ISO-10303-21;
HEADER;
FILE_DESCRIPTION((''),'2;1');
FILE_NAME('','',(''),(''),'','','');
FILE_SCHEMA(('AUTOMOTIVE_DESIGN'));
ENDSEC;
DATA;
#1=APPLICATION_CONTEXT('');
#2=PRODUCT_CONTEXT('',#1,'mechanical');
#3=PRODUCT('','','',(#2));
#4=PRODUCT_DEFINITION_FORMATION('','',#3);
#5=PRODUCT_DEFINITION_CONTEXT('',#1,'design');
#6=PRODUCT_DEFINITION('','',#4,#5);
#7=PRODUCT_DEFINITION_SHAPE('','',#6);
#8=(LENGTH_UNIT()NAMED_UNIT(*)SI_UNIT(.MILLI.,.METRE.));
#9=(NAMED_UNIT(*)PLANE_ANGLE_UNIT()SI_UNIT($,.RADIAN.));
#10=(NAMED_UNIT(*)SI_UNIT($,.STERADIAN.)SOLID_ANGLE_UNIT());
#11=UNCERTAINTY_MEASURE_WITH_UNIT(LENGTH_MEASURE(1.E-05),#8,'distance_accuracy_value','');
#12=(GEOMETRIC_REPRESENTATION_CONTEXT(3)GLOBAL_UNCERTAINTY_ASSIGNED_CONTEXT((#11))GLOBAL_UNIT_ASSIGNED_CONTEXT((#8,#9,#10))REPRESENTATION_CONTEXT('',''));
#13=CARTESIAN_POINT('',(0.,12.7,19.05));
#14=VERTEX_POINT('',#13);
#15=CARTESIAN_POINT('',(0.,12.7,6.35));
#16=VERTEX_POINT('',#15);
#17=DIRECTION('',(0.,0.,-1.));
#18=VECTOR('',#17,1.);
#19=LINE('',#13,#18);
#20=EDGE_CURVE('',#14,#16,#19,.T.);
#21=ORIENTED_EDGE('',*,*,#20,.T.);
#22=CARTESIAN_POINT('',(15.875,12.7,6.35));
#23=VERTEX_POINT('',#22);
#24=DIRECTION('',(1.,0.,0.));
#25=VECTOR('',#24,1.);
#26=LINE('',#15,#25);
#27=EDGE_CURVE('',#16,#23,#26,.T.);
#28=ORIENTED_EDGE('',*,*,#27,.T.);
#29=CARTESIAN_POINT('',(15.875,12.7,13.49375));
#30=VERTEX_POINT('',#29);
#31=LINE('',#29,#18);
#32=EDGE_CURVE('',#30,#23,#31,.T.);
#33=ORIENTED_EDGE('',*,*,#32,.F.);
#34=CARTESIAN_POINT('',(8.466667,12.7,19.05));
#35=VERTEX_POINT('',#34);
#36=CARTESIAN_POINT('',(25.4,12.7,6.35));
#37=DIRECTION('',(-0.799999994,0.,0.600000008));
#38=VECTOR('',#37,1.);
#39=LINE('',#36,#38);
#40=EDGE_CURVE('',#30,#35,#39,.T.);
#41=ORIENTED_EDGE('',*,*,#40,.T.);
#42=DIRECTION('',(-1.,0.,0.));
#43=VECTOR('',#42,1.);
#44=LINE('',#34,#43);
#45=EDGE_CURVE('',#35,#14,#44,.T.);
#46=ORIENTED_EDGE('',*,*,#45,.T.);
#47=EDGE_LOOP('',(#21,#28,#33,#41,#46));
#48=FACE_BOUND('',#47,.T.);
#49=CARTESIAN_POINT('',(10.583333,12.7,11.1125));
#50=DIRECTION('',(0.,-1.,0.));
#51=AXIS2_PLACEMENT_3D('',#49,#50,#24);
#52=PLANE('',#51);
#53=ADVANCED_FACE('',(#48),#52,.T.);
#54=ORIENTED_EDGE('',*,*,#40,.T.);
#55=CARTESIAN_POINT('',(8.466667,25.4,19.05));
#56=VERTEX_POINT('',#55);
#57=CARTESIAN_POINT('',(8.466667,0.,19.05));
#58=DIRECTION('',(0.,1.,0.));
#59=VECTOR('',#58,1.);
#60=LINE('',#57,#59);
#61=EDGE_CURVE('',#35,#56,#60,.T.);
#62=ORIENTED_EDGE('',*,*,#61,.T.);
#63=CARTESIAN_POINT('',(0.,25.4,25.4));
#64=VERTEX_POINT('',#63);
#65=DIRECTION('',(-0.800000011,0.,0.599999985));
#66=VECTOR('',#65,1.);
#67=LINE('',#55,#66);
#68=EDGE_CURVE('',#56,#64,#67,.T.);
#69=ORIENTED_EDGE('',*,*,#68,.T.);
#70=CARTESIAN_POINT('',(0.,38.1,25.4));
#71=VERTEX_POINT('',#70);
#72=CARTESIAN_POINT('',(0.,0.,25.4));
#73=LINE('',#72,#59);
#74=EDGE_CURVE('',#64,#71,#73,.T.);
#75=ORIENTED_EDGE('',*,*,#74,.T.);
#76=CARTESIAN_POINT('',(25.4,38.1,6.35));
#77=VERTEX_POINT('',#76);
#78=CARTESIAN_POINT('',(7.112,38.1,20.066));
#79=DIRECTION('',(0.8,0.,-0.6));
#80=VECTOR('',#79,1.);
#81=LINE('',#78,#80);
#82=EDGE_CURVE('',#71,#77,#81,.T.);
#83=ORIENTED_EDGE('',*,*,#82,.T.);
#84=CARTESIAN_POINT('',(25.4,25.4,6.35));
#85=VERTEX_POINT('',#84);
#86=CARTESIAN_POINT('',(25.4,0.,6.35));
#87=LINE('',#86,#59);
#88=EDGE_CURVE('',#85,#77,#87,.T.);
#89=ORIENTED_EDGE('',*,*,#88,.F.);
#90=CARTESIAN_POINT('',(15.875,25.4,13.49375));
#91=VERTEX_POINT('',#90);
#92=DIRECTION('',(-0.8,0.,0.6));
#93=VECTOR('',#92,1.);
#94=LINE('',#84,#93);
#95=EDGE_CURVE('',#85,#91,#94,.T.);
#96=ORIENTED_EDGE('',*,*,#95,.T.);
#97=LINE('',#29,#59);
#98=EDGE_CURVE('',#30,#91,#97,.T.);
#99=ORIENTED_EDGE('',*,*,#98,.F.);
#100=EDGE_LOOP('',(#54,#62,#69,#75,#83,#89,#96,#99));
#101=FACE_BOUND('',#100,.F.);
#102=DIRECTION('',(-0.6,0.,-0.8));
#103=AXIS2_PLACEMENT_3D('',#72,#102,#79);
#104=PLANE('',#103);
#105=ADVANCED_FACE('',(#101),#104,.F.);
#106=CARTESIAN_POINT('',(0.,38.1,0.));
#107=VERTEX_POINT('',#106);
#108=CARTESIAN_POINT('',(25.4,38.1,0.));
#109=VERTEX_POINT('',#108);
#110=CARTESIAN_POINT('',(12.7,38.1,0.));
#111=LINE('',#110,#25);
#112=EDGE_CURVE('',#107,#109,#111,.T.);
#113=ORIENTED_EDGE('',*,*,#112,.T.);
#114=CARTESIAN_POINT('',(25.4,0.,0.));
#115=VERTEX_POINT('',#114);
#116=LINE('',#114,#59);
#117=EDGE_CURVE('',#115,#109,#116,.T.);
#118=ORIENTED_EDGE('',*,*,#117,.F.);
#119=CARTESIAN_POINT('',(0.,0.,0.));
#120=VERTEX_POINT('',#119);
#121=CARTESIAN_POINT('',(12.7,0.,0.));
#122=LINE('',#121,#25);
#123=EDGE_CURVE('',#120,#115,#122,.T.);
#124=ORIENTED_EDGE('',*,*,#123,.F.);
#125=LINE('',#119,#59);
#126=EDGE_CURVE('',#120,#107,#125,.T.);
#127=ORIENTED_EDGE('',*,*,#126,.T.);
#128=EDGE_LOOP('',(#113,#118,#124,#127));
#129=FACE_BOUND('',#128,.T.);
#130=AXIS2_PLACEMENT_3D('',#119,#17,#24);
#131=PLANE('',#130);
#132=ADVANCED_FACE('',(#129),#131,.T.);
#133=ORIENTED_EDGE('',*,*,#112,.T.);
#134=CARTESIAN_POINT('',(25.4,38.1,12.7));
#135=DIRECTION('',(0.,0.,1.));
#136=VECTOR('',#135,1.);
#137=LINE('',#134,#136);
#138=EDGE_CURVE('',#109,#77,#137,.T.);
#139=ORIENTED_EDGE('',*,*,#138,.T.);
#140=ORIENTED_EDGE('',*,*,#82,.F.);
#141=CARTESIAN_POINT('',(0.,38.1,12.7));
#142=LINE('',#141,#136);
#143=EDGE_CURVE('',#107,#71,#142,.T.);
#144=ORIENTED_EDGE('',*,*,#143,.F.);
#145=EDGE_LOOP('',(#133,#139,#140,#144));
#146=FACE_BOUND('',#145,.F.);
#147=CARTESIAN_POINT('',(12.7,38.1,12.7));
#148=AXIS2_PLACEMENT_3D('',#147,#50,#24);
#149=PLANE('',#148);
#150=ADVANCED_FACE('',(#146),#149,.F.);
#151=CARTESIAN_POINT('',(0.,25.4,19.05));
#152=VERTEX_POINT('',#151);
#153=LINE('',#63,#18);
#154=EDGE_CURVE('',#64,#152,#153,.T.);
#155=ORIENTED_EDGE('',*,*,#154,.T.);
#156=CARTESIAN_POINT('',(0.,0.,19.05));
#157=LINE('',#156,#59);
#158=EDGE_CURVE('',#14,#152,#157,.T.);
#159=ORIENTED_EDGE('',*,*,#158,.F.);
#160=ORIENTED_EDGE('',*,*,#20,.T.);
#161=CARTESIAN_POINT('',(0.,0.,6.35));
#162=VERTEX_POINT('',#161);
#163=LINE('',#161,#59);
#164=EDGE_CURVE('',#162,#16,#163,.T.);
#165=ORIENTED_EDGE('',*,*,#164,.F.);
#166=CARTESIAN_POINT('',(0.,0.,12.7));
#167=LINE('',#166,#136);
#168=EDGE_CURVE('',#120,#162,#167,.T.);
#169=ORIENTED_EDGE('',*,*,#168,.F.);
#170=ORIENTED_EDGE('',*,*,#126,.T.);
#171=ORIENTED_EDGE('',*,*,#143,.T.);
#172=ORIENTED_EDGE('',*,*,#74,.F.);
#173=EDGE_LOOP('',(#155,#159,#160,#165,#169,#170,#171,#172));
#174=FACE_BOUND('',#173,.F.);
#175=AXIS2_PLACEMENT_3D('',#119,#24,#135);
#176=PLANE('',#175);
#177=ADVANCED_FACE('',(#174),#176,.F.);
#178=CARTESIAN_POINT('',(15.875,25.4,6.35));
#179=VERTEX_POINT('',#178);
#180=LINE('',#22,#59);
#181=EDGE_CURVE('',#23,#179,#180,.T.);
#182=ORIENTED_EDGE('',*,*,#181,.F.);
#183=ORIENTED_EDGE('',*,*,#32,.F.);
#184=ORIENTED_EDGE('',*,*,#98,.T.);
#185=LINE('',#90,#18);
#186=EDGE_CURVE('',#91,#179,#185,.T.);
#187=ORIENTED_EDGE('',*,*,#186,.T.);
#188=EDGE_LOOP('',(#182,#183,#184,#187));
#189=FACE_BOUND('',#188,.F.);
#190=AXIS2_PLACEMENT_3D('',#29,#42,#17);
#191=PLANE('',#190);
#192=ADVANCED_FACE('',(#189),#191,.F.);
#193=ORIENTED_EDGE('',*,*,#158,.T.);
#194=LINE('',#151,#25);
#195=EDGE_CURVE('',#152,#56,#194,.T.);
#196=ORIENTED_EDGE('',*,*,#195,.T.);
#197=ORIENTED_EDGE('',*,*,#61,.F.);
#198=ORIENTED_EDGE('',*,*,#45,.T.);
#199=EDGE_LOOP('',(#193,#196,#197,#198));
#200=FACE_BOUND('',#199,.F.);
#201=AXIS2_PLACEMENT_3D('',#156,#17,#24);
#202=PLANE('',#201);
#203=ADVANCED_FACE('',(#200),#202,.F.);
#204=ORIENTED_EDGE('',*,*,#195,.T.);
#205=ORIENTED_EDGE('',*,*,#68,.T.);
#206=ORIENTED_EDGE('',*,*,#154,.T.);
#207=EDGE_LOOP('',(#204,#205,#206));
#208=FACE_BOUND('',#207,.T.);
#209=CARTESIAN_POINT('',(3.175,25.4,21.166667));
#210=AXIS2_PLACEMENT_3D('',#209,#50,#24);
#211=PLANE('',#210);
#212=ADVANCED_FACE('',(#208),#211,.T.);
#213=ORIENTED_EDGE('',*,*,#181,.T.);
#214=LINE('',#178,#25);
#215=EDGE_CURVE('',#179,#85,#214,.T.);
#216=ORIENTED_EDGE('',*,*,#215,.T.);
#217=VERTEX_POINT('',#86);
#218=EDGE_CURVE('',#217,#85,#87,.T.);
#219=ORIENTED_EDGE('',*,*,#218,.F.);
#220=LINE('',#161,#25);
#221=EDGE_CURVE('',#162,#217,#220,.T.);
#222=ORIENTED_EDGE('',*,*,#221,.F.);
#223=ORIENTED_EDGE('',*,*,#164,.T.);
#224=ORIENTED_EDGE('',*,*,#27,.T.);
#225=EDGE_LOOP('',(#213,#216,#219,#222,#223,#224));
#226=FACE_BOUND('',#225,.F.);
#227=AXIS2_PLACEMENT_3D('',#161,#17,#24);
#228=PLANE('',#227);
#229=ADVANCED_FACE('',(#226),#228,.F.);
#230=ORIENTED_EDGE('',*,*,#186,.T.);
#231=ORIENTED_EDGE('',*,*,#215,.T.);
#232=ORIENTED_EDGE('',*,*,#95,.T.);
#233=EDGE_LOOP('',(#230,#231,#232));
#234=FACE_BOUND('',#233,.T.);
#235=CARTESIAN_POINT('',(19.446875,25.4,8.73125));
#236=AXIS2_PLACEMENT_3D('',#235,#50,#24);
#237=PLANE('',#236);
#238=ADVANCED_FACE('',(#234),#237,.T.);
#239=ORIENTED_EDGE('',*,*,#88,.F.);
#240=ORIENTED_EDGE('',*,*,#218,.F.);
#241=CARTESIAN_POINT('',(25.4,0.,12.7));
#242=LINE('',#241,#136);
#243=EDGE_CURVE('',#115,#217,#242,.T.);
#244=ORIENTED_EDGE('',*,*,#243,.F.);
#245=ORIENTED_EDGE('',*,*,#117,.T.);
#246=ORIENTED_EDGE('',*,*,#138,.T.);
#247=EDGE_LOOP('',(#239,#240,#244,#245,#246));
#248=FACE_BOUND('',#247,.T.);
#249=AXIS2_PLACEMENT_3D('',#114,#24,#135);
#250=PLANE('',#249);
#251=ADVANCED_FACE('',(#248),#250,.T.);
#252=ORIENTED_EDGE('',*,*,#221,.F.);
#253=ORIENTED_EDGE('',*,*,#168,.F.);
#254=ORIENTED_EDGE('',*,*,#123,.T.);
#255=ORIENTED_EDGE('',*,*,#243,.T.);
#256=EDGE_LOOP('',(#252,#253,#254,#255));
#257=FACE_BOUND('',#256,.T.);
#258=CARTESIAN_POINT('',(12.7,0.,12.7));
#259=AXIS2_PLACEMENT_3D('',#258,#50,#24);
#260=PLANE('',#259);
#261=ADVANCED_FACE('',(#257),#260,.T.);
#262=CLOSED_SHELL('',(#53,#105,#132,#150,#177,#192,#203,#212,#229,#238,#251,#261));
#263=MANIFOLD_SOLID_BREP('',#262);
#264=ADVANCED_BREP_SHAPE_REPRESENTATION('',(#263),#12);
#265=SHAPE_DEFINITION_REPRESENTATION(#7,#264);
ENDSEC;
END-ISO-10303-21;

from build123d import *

# Parameters (mm, degrees)
F0_W     = 25.4
F0_H     = 25.4
F1_DEPTH = 38.1
F3_DEPTH = 38.101
F5_DEPTH = 25.4
F7_DEPTH = 12.7
F9_DEPTH = 12.7


with BuildPart() as f1:
    # F0 (on Front) → F1 (new body)
    with BuildSketch(Plane.XZ):
        with Locations((12.7, 12.7)):
            Rectangle(F0_W, F0_H)
    extrude(amount=-F1_DEPTH)

    # F2 (on face) → F3 (cut, through all)
    with BuildSketch(Plane.XZ):
        Polygon((25.4, 25.4), (0, 25.4), (25.4, 6.35), align=None)
    extrude(amount=-F3_DEPTH, mode=Mode.SUBTRACT)

    # F4 (on face) → F5 (cut)
    with BuildSketch(Plane.XZ):
        Polygon((8.466667, 19.05), (0, 25.4), (0, 19.05), align=None)
    extrude(amount=-F5_DEPTH, mode=Mode.SUBTRACT)

    # F6 (on face) → F7 (cut)
    with BuildSketch(Plane.XZ):
        Polygon((0, 19.05), (0, 6.35), (25.4, 6.35), (8.466667, 19.05), align=None)
    extrude(amount=-F7_DEPTH, mode=Mode.SUBTRACT)

    # F8 (on face) → F9 (cut)
    with BuildSketch(Plane.XZ.offset(-12.7)):
        Polygon((25.4, 6.35), (15.875, 13.49375), (15.875, 6.35), align=None)
    extrude(amount=-F9_DEPTH, mode=Mode.SUBTRACT)


solid = f1.part
